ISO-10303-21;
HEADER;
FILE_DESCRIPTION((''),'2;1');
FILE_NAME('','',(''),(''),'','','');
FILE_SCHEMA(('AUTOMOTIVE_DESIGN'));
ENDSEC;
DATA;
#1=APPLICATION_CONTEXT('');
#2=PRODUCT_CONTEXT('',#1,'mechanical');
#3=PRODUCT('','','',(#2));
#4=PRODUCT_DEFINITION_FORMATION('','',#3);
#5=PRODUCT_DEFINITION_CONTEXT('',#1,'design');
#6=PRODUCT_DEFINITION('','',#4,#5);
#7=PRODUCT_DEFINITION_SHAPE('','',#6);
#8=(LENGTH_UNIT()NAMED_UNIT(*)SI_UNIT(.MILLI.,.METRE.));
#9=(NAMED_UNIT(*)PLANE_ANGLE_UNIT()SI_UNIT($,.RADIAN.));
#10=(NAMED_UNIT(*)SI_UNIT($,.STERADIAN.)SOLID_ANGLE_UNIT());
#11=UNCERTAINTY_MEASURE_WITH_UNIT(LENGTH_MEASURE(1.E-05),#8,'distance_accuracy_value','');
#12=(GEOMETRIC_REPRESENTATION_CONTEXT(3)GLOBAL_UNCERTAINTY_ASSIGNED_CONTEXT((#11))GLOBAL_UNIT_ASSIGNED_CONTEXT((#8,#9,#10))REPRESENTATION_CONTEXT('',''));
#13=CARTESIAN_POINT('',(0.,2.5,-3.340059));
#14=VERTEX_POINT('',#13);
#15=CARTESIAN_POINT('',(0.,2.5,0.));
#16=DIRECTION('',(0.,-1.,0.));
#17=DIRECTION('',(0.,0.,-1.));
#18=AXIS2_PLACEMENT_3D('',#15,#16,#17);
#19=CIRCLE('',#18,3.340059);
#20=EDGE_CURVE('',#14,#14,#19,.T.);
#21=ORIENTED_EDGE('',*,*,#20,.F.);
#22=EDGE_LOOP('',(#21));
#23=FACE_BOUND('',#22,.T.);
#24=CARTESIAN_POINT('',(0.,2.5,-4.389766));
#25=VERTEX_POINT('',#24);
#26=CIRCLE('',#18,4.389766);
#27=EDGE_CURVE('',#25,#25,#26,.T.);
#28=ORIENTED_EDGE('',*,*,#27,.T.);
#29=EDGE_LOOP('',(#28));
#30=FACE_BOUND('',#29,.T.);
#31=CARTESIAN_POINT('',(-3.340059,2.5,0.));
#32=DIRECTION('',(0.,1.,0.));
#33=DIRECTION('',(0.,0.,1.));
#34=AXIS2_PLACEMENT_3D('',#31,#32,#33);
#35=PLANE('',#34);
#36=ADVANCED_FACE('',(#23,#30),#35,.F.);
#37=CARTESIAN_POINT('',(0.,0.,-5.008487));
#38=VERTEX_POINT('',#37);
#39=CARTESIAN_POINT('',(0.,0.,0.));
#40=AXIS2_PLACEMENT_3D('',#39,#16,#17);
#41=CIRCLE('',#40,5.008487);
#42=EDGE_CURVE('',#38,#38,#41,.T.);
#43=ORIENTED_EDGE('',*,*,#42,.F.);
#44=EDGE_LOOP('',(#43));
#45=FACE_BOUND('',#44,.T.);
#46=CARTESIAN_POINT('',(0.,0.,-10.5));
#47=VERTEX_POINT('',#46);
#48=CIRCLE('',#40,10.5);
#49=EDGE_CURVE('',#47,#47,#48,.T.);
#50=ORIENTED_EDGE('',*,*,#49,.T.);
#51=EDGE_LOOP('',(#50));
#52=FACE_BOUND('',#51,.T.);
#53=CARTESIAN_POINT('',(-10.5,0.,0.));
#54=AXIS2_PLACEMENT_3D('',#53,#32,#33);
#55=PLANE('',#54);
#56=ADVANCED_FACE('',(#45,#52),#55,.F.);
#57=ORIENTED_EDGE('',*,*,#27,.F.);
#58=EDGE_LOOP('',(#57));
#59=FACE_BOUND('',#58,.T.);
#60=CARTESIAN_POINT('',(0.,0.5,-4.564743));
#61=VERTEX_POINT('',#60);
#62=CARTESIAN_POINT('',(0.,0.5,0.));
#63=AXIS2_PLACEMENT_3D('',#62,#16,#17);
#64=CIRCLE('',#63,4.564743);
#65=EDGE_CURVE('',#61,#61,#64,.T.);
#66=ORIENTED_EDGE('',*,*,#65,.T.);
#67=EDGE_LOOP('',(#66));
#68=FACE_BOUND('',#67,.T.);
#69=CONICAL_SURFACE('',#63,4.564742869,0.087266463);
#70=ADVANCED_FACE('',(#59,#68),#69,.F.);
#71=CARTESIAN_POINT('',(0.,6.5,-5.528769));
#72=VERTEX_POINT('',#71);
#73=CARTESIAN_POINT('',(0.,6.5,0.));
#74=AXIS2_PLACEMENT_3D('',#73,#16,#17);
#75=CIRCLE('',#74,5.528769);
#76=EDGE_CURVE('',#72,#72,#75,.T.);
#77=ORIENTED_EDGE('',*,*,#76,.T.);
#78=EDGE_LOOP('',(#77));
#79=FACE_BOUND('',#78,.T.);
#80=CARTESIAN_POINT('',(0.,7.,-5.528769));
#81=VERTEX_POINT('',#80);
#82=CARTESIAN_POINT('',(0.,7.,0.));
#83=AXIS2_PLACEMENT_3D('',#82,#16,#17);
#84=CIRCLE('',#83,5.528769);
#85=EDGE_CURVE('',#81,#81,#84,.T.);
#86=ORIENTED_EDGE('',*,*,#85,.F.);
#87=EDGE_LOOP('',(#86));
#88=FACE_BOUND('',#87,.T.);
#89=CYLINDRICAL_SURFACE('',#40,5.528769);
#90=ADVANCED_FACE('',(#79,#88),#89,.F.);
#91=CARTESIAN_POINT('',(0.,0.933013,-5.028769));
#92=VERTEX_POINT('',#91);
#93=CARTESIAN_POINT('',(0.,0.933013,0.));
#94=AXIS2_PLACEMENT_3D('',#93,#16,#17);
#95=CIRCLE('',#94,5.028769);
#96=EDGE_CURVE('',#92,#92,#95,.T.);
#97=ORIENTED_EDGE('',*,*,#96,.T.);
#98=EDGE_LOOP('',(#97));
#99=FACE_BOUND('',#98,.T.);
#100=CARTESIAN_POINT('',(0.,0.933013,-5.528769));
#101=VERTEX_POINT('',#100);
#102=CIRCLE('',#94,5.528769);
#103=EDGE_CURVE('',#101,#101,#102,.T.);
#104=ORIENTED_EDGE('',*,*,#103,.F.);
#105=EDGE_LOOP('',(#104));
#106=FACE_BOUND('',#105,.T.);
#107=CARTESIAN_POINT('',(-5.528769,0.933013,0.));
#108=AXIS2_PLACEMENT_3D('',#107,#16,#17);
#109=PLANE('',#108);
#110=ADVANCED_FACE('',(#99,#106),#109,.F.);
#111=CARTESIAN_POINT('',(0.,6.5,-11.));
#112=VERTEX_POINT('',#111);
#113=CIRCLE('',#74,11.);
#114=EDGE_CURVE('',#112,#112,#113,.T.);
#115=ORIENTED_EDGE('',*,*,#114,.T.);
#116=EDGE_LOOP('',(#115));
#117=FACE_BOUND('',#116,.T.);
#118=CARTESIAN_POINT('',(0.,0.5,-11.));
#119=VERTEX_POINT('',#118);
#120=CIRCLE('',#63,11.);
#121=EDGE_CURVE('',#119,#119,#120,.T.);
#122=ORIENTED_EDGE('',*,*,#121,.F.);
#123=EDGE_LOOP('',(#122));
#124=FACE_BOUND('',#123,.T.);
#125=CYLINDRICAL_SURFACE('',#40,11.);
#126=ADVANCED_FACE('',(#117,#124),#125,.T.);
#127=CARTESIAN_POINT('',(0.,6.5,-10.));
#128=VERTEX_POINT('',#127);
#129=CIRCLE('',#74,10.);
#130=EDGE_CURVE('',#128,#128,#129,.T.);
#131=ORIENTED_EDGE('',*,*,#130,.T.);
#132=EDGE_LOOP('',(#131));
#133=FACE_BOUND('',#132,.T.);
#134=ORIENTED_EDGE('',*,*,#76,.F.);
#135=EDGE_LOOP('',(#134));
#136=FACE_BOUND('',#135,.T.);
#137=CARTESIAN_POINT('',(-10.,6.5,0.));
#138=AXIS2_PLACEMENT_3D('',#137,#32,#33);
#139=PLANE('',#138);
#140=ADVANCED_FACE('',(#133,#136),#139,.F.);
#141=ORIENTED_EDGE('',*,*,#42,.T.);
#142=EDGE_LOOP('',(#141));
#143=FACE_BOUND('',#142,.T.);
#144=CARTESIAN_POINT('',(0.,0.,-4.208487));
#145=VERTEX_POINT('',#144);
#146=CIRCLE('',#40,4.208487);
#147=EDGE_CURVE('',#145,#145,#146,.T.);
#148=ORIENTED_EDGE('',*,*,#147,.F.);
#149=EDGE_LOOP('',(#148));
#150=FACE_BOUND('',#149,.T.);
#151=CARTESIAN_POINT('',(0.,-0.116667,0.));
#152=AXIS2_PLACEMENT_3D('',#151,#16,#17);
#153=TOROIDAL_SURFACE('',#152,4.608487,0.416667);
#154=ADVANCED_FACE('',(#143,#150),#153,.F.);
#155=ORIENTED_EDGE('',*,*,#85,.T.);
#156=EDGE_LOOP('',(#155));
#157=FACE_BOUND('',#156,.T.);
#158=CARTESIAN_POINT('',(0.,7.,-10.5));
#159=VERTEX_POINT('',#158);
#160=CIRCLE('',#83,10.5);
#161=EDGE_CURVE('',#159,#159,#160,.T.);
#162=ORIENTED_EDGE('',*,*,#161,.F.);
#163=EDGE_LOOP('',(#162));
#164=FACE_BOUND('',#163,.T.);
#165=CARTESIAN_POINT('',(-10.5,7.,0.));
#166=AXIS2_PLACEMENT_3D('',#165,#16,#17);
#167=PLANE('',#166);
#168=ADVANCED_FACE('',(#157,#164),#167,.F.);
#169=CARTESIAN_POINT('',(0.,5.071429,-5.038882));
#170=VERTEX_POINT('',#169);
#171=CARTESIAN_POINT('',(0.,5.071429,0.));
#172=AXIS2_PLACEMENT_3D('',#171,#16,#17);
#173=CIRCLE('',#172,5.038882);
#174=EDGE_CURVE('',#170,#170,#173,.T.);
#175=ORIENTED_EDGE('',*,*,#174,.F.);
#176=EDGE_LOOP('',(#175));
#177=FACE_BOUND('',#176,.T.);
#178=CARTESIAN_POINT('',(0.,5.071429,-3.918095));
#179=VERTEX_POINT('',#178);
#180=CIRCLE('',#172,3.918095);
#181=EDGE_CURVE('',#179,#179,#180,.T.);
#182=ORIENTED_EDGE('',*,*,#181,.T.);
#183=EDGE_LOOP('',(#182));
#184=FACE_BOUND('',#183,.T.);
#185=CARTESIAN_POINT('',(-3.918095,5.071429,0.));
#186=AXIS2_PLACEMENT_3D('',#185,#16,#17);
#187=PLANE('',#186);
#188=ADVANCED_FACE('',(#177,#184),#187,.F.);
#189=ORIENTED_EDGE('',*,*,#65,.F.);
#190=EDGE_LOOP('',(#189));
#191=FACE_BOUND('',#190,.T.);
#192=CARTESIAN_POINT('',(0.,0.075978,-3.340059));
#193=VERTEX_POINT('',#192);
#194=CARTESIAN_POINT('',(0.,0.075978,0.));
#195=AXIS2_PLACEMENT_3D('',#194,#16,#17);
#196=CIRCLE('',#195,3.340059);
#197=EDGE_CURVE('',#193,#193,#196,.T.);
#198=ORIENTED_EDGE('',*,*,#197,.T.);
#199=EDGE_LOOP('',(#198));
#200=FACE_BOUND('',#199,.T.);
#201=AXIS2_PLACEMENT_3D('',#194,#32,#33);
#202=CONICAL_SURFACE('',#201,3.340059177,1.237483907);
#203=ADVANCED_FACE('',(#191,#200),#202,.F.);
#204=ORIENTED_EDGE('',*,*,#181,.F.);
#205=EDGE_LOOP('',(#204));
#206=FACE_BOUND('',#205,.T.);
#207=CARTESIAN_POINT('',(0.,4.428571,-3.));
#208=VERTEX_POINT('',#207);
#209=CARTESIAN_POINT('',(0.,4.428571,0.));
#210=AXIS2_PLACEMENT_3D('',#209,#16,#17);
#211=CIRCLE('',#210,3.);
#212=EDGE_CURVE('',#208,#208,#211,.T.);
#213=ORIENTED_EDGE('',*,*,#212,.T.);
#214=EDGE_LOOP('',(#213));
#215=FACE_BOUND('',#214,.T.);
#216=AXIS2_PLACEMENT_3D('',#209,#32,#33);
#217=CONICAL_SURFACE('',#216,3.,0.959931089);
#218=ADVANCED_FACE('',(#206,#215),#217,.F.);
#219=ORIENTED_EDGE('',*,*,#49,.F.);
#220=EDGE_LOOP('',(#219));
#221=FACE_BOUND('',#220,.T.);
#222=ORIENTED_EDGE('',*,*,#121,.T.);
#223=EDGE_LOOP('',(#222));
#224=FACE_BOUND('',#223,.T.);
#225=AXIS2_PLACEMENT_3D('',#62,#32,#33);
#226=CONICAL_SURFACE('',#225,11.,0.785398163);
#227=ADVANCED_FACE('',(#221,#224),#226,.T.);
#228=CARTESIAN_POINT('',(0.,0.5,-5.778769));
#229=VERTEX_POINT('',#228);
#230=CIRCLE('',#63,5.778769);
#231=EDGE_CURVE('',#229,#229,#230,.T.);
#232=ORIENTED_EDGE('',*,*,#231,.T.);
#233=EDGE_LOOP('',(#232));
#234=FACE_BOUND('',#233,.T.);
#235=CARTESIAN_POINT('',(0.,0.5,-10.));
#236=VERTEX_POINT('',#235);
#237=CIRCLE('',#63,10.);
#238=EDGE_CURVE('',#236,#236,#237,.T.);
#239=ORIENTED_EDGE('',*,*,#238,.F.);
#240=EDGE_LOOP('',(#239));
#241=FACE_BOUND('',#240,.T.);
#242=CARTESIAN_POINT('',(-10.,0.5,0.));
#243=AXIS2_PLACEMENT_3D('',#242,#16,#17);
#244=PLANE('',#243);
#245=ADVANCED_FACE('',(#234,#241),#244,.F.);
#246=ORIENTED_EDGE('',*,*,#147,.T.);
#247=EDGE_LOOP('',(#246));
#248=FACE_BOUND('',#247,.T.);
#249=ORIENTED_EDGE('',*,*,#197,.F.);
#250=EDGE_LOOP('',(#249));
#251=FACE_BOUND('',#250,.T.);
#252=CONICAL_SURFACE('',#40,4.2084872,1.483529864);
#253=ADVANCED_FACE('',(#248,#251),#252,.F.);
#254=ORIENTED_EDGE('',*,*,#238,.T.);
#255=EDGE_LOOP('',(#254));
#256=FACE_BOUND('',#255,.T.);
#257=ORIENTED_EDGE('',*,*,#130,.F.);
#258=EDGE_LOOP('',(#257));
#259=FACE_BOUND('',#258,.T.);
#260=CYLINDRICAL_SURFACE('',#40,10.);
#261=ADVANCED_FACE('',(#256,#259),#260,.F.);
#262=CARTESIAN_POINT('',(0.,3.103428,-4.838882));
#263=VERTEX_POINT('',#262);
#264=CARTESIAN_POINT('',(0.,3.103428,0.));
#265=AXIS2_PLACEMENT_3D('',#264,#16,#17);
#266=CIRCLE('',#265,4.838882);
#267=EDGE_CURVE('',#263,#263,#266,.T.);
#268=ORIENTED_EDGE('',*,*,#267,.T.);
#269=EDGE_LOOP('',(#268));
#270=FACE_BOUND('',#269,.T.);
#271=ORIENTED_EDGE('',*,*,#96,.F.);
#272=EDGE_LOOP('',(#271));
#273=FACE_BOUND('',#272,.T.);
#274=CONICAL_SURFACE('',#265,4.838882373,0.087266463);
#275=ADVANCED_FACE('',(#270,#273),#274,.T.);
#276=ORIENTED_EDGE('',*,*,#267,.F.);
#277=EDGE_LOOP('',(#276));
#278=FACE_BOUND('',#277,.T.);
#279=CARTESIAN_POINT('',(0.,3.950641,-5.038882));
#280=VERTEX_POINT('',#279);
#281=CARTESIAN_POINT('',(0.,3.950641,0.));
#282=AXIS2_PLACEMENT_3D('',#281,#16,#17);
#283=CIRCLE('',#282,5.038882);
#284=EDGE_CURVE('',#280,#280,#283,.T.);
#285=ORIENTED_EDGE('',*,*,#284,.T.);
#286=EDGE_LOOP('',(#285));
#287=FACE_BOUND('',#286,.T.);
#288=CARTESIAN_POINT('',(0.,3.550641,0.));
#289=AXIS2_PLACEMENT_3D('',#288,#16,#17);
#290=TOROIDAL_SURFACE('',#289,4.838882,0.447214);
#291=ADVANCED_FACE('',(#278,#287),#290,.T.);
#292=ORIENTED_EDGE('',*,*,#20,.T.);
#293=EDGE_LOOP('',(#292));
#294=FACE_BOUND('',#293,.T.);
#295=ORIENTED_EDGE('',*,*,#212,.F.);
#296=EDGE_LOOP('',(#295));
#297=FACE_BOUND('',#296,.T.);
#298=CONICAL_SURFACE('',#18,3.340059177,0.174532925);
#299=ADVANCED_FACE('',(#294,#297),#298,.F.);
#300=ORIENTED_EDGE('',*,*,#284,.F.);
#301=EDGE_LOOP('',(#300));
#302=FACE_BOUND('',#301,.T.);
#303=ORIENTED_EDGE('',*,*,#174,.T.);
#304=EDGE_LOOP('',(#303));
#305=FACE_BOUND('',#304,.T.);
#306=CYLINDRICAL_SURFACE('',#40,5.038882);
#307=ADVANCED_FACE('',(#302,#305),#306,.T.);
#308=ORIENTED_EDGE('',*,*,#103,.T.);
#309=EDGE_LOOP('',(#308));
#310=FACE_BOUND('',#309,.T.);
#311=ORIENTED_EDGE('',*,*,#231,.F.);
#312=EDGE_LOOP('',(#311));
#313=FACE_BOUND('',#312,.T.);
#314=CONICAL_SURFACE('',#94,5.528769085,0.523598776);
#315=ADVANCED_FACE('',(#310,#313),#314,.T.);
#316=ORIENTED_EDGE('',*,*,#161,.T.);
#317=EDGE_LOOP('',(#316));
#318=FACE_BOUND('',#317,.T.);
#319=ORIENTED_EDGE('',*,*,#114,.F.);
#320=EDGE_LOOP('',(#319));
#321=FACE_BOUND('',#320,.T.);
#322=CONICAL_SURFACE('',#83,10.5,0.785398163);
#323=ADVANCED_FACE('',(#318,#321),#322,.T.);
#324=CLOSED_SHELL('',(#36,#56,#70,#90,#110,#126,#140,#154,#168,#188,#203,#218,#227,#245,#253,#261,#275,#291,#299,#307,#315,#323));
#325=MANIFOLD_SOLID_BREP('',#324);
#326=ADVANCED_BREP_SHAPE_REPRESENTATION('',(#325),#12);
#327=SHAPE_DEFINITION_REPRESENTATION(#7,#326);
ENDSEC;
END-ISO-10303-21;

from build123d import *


with BuildPart() as part:
    # 草图1 → 旋转1 (revolve)
    with BuildSketch(Plane.XY, mode=Mode.PRIVATE) as revolve_1_sk:
        with BuildLine():
            Line((-4.838882373, 3.10342775), (-5.028769085, 0.933012702))
            Line((-5.028769085, 0.933012702), (-5.528769085, 0.933012702))
            Line((-5.528769085, 0.933012702), (-5.778769085, 0.5))
            Line((-5.778769085, 0.5), (-10, 0.5))
            Line((-10, 0.5), (-10, 6.5))
            Line((-10, 6.5), (-5.528769085, 6.5))
            Line((-5.528769085, 6.5), (-5.528769085, 7))
            Line((-5.528769085, 7), (-10.5, 7))
            Line((-10.5, 7), (-11, 6.5))
            Line((-11, 6.5), (-11, 0.5))
            Line((-11, 0.5), (-10.5, 0))
            Line((-10.5, 0), (-5.0084872, 0))
            ThreePointArc((-5.0084872, 0), (-4.6084872, 0.3), (-4.2084872, 0))
            Line((-4.2084872, 0), (-3.340059177, 0.075977607))
            Line((-3.340059177, 0.075977607), (-4.564742869, 0.5))
            Line((-4.564742869, 0.5), (-4.389765542, 2.5))
            Line((-4.389765542, 2.5), (-3.340059177, 2.5))
            Line((-3.340059177, 2.5), (-3, 4.428571429))
            Line((-3, 4.428571429), (-3.918095147, 5.071428571))
            Line((-3.918095147, 5.071428571), (-5.038882373, 5.071428571))
            Line((-5.038882373, 5.071428571), (-5.038882373, 3.950641346))
            ThreePointArc((-5.038882373, 3.950641346), (-5.274132553, 3.447892716), (-4.838882373, 3.10342775))
        make_face()
    revolve(revolve_1_sk.sketch.rotate(Axis((0, 0, 0), (0, 1, 0)), 270), axis=Axis((0, 0, 0), (0, 1, 0)))


solid = part.part
